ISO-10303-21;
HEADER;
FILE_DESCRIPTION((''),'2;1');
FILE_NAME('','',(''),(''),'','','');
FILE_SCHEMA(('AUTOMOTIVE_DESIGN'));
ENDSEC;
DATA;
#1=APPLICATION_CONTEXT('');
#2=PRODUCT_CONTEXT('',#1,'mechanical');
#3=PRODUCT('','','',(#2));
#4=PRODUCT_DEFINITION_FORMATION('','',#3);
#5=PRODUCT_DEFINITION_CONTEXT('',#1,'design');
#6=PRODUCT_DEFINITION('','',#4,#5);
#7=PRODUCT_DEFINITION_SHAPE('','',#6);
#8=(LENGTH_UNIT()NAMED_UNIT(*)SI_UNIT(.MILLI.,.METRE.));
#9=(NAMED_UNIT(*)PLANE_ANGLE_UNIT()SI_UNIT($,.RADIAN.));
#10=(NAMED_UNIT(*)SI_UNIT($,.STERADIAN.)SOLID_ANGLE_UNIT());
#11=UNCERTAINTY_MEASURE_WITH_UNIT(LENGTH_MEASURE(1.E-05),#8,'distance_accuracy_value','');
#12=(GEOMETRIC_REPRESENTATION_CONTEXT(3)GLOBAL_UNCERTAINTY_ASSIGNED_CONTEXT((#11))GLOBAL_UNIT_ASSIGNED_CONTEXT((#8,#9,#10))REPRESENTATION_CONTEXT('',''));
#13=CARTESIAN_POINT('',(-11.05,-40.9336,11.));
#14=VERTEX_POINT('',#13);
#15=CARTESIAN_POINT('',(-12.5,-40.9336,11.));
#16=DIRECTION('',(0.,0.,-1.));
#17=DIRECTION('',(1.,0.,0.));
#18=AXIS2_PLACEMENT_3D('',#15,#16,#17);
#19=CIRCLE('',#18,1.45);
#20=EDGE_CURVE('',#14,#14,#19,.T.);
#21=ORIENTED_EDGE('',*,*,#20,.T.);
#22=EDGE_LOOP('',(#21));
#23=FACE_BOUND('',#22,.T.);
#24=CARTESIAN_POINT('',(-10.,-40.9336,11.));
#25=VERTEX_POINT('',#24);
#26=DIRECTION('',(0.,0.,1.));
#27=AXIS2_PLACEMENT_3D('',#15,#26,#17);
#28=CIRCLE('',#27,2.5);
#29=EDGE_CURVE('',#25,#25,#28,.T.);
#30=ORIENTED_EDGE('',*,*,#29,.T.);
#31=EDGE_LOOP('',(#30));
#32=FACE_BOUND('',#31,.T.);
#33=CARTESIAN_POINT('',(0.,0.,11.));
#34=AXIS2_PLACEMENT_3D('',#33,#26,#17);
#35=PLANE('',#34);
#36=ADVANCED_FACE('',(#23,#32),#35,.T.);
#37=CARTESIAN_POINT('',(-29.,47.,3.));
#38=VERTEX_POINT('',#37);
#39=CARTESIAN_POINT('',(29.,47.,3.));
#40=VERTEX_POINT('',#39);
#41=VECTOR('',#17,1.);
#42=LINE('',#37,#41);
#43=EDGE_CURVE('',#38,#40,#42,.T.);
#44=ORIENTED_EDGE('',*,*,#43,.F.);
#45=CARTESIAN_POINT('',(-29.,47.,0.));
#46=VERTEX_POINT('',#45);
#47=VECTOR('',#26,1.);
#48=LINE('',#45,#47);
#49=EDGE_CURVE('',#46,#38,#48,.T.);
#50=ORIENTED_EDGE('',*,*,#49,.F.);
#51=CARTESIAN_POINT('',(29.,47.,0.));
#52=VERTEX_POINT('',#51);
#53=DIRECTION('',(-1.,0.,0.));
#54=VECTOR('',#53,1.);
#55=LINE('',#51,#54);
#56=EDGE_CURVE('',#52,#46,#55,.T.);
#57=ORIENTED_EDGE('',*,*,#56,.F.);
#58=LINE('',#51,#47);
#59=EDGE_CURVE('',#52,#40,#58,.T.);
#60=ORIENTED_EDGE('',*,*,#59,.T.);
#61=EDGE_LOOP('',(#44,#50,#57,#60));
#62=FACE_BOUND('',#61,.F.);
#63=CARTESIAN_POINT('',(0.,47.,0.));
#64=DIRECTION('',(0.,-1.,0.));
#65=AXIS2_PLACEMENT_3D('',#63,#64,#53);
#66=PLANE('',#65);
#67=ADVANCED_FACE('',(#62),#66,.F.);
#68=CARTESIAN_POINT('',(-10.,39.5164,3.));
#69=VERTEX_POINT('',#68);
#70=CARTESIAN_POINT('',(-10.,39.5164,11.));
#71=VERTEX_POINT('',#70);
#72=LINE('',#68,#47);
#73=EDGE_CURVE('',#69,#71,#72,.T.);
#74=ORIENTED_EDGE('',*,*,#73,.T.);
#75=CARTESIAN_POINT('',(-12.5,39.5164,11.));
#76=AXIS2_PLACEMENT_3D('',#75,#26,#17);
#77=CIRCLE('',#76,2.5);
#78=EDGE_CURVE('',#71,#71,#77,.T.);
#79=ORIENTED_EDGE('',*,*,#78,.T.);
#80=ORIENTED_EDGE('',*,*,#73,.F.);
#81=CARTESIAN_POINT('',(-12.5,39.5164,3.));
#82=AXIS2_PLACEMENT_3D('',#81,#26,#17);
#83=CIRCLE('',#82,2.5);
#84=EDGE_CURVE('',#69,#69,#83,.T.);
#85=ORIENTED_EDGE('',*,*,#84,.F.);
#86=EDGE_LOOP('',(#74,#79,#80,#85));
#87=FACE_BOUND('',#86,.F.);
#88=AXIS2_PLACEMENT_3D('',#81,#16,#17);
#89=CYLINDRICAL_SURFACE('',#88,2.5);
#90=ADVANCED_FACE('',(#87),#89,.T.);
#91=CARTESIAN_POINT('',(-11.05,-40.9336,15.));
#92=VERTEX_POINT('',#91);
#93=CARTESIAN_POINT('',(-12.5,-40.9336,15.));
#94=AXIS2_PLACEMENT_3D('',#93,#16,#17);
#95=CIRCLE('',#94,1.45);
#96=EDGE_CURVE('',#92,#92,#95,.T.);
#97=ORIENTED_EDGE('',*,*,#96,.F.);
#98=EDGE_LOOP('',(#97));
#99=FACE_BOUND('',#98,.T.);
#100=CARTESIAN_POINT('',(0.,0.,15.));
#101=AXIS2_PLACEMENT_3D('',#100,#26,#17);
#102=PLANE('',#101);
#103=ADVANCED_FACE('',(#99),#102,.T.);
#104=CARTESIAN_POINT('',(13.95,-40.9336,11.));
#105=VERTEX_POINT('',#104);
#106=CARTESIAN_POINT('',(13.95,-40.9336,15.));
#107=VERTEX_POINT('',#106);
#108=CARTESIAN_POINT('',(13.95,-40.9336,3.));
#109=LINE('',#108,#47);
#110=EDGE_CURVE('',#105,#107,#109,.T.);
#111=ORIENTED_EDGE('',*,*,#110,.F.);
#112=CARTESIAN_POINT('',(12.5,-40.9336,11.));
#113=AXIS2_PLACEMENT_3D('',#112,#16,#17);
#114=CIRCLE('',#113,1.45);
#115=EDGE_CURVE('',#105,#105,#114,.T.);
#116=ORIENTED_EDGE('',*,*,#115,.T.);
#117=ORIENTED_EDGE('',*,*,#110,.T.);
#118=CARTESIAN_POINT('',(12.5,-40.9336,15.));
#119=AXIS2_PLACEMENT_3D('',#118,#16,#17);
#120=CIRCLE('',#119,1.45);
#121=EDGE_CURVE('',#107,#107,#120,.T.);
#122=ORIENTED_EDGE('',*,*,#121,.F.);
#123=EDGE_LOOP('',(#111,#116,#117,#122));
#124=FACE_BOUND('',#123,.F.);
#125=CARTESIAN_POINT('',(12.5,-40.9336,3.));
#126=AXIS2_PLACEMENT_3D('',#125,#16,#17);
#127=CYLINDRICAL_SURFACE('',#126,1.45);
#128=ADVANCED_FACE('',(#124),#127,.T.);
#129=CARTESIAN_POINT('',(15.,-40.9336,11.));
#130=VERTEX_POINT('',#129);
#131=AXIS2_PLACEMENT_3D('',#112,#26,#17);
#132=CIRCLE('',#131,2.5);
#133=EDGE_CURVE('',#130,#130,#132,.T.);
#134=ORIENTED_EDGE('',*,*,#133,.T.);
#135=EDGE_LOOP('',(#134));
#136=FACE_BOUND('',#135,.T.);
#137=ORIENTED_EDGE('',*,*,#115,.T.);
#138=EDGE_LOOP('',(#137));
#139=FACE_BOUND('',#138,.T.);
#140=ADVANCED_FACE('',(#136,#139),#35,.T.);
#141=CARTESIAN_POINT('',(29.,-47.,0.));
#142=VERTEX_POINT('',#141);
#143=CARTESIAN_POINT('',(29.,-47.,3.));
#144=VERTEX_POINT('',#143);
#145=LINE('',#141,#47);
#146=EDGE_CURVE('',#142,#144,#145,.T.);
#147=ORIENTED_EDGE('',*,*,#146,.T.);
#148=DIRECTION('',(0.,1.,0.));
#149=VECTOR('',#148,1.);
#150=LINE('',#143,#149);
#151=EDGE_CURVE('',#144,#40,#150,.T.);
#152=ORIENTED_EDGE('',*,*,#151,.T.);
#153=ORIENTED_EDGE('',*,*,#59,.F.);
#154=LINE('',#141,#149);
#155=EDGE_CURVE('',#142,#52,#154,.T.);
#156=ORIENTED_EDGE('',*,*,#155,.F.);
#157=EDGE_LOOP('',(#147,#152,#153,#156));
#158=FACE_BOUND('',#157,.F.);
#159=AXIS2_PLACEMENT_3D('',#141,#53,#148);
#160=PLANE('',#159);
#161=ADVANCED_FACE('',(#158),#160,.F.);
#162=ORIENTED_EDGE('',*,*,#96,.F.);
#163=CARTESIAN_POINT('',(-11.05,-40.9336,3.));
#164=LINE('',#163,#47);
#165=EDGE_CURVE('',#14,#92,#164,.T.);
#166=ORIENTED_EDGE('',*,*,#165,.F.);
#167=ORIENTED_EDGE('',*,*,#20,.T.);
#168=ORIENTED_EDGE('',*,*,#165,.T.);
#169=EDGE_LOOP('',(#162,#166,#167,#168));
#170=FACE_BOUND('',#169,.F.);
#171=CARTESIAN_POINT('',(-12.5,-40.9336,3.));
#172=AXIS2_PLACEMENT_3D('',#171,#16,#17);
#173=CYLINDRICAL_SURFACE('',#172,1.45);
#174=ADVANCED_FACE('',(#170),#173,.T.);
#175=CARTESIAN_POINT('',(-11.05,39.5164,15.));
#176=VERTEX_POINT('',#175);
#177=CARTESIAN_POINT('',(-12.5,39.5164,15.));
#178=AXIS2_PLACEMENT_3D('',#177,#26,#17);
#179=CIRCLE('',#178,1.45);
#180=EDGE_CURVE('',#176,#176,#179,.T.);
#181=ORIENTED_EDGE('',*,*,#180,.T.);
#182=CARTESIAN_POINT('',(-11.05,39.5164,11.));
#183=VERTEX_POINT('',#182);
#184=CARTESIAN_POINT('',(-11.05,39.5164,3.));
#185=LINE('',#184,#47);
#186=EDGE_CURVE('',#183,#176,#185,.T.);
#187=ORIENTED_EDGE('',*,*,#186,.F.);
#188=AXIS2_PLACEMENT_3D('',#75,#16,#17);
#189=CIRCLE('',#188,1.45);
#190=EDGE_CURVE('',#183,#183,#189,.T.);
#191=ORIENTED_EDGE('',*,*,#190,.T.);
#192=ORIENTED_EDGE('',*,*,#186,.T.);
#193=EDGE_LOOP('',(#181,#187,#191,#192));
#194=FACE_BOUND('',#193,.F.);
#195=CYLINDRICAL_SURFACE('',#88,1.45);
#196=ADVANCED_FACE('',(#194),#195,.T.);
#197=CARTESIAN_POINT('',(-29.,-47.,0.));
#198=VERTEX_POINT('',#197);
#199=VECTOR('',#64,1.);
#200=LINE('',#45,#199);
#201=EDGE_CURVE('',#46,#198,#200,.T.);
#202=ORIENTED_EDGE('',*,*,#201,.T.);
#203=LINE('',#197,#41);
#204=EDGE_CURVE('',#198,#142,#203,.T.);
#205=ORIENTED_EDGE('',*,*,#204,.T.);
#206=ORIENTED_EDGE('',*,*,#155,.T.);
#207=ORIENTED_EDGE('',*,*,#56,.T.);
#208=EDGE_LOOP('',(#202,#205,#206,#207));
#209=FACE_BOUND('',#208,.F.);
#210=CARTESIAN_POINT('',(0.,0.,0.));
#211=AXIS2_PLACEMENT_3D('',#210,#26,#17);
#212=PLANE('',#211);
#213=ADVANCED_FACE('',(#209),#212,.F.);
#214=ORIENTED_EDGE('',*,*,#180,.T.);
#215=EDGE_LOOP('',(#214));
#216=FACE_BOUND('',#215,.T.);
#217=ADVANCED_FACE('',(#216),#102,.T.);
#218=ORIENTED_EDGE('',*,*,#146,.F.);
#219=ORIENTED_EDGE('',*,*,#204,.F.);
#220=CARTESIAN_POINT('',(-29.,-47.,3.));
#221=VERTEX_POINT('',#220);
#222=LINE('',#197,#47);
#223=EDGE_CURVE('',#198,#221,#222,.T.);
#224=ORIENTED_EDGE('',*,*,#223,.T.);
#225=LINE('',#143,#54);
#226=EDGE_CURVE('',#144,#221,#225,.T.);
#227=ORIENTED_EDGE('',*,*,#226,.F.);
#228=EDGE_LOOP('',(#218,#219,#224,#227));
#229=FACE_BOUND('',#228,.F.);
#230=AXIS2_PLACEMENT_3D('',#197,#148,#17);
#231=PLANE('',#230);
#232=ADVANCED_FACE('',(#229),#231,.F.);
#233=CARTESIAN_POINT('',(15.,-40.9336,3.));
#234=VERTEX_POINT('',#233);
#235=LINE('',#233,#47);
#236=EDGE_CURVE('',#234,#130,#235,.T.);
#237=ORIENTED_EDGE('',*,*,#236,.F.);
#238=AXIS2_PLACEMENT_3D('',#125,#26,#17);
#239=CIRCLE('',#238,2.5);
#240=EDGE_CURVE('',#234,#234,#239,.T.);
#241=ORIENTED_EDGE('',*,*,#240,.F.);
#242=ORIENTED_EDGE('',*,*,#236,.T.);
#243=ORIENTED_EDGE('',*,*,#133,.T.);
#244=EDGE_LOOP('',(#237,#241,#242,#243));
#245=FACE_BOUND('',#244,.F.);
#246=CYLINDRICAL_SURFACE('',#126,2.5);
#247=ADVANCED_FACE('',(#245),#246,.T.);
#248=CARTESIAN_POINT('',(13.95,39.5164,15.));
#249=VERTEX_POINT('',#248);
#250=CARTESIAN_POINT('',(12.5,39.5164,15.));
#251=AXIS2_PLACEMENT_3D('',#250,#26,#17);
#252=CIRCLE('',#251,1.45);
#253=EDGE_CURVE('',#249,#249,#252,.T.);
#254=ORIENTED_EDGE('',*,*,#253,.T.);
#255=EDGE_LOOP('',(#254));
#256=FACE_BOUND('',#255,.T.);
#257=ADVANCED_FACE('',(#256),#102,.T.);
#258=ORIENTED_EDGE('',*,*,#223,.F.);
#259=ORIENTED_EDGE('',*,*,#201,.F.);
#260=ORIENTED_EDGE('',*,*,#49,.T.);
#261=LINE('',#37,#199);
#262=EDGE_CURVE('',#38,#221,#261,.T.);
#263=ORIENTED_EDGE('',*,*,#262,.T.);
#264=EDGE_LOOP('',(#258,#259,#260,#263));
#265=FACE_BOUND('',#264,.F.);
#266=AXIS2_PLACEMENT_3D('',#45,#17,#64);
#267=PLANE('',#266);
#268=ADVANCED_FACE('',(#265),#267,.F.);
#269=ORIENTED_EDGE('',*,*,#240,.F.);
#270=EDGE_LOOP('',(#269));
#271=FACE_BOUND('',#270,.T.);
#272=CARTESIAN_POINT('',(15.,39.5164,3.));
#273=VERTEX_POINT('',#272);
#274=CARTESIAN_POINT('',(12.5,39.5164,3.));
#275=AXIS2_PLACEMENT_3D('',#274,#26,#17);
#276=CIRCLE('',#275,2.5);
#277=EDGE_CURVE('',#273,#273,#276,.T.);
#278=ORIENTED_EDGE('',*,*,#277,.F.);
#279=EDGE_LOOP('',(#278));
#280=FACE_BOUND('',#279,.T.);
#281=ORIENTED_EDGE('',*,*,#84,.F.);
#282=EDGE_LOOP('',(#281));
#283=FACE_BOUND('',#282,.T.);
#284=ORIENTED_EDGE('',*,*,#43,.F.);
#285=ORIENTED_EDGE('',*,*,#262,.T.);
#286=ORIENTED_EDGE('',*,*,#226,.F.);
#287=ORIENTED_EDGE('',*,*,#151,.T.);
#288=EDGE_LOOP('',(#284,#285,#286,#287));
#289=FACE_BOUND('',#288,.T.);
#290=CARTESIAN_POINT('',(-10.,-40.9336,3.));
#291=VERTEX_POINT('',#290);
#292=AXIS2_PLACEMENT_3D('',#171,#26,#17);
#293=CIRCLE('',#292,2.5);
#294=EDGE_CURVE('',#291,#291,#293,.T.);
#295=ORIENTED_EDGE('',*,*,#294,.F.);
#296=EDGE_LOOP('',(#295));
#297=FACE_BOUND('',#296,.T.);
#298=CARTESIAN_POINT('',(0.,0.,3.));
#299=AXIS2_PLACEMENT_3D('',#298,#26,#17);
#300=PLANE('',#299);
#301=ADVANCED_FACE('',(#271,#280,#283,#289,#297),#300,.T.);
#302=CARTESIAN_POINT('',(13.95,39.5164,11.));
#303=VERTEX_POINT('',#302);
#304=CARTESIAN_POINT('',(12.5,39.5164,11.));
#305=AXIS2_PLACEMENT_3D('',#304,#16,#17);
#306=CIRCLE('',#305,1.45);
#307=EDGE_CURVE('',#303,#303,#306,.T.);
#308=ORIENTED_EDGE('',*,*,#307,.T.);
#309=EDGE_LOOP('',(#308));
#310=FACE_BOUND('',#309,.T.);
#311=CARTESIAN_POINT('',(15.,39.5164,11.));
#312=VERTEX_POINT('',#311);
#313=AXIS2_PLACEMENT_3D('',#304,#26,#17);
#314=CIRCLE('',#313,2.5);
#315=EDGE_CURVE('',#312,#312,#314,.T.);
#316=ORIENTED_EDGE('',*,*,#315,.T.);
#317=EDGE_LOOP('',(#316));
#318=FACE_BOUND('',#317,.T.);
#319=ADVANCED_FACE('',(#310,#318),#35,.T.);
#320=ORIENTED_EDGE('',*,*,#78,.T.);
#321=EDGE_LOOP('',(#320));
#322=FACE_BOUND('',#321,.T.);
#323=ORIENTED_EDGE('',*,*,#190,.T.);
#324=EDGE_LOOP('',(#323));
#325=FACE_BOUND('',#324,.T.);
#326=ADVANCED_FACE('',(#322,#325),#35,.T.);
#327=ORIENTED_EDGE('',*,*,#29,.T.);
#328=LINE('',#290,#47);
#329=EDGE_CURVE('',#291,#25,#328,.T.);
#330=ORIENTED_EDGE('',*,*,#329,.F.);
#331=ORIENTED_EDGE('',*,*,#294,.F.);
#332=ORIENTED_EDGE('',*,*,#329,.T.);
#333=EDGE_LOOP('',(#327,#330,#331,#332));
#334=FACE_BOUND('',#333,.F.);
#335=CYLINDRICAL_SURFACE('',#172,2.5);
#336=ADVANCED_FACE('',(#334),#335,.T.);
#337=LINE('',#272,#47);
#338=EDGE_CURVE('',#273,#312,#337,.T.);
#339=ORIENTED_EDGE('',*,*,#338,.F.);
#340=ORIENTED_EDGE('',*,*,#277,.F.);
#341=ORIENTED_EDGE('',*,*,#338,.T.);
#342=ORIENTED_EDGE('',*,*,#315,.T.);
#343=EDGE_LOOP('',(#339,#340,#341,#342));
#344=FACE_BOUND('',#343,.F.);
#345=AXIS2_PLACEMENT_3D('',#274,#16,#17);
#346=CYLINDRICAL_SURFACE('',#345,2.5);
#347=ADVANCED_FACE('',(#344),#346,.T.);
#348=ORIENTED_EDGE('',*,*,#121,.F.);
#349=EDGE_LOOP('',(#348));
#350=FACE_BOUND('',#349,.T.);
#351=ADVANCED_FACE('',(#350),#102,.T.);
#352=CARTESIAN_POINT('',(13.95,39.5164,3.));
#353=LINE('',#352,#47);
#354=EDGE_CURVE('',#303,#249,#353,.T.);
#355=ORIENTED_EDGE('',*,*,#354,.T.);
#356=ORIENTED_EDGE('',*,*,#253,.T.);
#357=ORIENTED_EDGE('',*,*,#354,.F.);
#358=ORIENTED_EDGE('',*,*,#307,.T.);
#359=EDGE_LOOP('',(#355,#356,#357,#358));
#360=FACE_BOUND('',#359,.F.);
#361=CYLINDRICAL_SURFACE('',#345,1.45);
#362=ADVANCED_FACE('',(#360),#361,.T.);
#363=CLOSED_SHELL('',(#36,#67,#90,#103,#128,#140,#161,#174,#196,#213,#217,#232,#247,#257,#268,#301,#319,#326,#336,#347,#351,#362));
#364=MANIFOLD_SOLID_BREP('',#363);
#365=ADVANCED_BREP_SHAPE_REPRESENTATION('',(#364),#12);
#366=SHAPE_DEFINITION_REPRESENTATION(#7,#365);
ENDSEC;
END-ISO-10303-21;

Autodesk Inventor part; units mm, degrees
ref_plane "YZ Plane" through (0, 0, 0) normal (1, 0, 0) x (0, 1, 0)
ref_plane "XZ Plane" through (0, 0, 0) normal (0, 1, 0) x (-1, 0, 0)
ref_plane "XY Plane" through (0, 0, 0) normal (0, 0, 1) x (1, 0, 0)
sketch "Náčrt1" plane through (0, 0, 0) normal (0, 0, 1) x (1, 0, 0)
  line L0 (-29, -47) -> (29, -47)
  line L1 (29, -47) -> (29, 47)
  line L2 (29, 47) -> (-29, 47)
  line L3 (-29, 47) -> (-29, -47)
  line L4 (-29, -47) -> (29, 47) construction
  line L5 (29, -47) -> (-29, 47) construction
  line L6 (0, 47) -> (0, -47)
  line L7 (0, -43.9165) -> (12.5, -43.9165)
  point P0 (0, 0)
  dimension "d0" = 58
  dimension "d1" = 94
  dimension "d2" = 12.5
extrude "Vysunutí1" add sketch "Náčrt1" along normal blind 3
sketch "Náčrt2" plane through (0, 0, 3) normal (0, 0, 1) x (1, 0, 0)
  point P0 (0, 0)
sketch "Náčrt3" plane through (0, 0, 3) normal (0, 0, 1) x (1, 0, 0)
  line L0 (0, -40.9336) -> (12.5, -40.9336)
  circle A0 centre (12.5, -40.9336) radius 1.45
  line L1 (0, 0) -> (0, -12.3388)
  circle A1 centre (-12.5, -40.9336) radius 1.45
  line L2 (-12.5, -39.4836) -> (-12.5, 38.0164)
  circle A2 centre (-12.5, 39.5164) radius 1.45
  circle A3 centre (12.5, 39.5164) radius 1.45
  dimension "d5" = 12.5
  dimension "d6" = 2.9
  dimension "d7" = 77.5
  dimension "d8" = 2.9
  dimension "d9" = 1.5
extrude "Vysunutí2" add sketch "Náčrt3" along normal blind 12
sketch "Náčrt4" plane through (0, 0, 3) normal (0, 0, 1) x (1, 0, 0)
  circle A0 centre (12.5, 39.5164) radius 1.45 projected
  circle A1 centre (12.5, 39.5164) radius 2.5
  circle A2 centre (-12.5, 39.5164) radius 1.45 projected
  circle A3 centre (-12.5, 39.5164) radius 2.5
  circle A4 centre (-12.5, -40.9336) radius 1.45 projected
  circle A5 centre (-12.5, -40.9336) radius 2.5
  circle A6 centre (12.5, -40.9336) radius 1.45 projected
  circle A7 centre (12.5, -40.9336) radius 2.5
  point P0 (0, 0)
  dimension "d12" = 5
  dimension "d13" = 5
  dimension "d14" = 5
  dimension "d15" = 5
extrude "Vysunutí3" add sketch "Náčrt4" along normal blind 8 contours A0 | A1 | A2 | A3 | A4 | A5 | A6 | A7
properties part number "drzak_plos"
